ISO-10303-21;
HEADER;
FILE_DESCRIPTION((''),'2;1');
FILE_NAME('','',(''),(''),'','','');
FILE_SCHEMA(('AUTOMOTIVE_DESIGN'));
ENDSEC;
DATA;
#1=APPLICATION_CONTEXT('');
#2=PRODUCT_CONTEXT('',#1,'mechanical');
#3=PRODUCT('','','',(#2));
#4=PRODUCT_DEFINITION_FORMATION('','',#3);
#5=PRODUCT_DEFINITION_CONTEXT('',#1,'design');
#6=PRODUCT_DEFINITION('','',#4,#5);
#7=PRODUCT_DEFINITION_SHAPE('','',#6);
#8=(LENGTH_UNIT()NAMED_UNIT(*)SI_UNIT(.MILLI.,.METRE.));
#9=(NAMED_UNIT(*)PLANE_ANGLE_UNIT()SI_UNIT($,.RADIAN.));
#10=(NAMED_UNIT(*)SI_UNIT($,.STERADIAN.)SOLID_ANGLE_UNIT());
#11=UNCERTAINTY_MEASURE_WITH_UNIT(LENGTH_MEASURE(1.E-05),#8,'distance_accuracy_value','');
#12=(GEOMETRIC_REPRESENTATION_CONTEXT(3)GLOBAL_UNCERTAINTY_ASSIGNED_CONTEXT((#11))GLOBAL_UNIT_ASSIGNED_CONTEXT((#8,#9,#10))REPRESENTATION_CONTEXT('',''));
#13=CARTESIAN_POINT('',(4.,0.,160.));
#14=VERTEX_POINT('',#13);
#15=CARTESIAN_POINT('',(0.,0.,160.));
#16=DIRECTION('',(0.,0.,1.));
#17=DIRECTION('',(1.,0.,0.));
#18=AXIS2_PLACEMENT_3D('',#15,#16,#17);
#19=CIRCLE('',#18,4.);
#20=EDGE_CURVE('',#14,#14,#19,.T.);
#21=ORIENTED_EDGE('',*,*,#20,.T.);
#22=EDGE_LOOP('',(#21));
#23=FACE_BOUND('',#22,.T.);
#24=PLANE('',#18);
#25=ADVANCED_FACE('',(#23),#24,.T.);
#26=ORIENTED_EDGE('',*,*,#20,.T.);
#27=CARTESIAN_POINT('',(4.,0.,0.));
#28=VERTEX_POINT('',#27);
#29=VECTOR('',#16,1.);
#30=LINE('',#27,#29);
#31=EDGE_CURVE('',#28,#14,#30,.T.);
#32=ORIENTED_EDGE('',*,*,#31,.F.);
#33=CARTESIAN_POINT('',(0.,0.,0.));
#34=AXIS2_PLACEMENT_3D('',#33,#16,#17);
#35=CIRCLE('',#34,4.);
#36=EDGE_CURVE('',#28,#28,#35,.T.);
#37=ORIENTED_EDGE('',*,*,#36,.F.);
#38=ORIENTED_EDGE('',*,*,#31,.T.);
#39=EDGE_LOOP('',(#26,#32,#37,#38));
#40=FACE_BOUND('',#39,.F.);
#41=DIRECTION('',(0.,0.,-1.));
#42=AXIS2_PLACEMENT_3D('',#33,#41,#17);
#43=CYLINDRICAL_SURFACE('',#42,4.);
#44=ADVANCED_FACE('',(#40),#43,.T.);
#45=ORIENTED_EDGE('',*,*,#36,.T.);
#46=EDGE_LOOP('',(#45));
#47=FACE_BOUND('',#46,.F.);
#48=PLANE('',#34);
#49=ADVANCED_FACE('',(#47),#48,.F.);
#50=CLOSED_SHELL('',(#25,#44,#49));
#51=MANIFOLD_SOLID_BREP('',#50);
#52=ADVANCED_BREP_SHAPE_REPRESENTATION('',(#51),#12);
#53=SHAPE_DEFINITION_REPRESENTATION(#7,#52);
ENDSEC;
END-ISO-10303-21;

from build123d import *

# Parameters (mm, degrees)
SKETCH_1_R      = 4
EXTRUDE_1_DEPTH = 160


with BuildPart() as part:
    # 草图1 → 凸台-拉伸1 (new body)
    with BuildSketch(Plane.XY):
        Circle(SKETCH_1_R)
    extrude(amount=EXTRUDE_1_DEPTH)


solid = part.part
